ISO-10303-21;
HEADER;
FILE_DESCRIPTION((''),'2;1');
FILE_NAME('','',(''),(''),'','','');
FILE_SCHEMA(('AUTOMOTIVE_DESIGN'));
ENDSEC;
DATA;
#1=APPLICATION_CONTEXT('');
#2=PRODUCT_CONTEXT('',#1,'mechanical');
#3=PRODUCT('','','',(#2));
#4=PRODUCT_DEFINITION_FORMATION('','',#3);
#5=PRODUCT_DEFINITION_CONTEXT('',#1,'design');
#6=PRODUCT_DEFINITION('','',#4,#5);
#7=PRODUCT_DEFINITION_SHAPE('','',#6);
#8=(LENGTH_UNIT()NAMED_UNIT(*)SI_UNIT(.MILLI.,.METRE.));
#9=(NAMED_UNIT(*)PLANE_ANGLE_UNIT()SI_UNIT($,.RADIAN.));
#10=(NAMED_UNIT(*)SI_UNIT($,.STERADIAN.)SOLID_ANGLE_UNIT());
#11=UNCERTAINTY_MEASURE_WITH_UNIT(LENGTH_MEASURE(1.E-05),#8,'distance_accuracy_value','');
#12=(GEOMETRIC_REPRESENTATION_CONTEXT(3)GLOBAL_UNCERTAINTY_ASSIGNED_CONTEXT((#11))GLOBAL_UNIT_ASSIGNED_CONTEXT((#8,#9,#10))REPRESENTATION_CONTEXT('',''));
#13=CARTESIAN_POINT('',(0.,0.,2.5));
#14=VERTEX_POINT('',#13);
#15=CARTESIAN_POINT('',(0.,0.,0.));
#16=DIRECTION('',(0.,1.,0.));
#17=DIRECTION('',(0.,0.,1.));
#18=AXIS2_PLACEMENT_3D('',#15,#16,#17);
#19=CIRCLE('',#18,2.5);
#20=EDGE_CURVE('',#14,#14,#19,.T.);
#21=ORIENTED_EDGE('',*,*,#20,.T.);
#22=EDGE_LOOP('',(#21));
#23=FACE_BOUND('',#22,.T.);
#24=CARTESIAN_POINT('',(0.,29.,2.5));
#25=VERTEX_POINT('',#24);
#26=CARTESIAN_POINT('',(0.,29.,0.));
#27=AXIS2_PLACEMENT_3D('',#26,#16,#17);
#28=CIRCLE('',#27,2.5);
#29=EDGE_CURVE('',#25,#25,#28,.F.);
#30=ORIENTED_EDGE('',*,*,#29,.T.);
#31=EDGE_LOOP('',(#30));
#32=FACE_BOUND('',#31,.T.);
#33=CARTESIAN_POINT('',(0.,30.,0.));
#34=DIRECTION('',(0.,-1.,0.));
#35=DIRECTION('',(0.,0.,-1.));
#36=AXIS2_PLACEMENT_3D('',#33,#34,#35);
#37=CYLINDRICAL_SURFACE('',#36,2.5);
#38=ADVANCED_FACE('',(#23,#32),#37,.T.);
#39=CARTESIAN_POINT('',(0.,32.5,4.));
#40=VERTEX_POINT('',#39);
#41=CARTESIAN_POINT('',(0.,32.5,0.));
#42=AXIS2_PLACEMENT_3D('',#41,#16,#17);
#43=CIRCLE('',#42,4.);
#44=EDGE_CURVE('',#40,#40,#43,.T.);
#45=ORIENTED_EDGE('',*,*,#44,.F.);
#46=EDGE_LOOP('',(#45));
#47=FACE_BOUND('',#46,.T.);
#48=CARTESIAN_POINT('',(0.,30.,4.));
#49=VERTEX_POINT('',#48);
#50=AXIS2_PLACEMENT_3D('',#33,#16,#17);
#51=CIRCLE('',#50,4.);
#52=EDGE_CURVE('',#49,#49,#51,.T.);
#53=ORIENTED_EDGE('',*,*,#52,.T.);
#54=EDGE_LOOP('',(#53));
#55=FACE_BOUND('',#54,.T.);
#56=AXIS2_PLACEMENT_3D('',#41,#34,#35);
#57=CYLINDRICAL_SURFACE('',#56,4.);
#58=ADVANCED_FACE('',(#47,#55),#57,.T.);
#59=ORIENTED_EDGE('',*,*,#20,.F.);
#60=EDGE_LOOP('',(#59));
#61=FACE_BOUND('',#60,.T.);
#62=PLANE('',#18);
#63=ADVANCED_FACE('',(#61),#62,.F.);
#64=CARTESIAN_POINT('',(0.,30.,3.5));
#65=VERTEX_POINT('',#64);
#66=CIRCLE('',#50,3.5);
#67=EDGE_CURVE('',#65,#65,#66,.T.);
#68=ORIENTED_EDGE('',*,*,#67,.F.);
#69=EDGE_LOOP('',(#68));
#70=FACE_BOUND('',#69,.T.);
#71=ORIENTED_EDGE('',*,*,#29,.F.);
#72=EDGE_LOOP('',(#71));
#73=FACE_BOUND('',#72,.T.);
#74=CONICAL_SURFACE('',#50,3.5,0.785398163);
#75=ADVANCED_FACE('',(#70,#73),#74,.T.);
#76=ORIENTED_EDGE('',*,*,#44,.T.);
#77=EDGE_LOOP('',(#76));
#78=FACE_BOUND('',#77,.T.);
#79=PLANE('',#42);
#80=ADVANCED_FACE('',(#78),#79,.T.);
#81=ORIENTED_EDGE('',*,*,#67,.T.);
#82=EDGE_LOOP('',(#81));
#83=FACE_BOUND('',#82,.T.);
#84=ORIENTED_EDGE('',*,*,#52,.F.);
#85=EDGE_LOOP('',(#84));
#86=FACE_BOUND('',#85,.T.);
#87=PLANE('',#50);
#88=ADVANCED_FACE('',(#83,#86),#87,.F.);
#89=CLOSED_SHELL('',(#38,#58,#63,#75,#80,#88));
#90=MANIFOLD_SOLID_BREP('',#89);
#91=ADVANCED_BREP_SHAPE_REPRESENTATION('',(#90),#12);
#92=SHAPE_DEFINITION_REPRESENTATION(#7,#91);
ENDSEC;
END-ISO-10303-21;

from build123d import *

# Parameters (mm, degrees)
SKETCH1_R           = 2.5
BOSS_EXTRUDE1_DEPTH = 30
SKETCH2_R           = 4
BOSS_EXTRUDE2_DEPTH = 2.5
CHAMFER1_SIZE       = 1


with BuildPart() as part:
    # Sketch1 → Boss-Extrude1 (new body)
    with BuildSketch(Plane(origin=(0, 0, 0), x_dir=(1, 0, 0), z_dir=(0, 1, 0))):
        Circle(SKETCH1_R)
    extrude(amount=BOSS_EXTRUDE1_DEPTH)

    # Sketch2 → Boss-Extrude2 (add)
    with BuildSketch(Plane(origin=(0, 30, 0), x_dir=(1, 0, 0), z_dir=(0, 1, 0))):
        Circle(SKETCH2_R)
    extrude(amount=BOSS_EXTRUDE2_DEPTH)

    # Chamfer1
    chamfer1_edges = [part.edges().sort_by_distance(p)[0] for p in [
        (-2.5, 30, 0),
    ]]
    chamfer(chamfer1_edges, length=CHAMFER1_SIZE)


solid = part.part
